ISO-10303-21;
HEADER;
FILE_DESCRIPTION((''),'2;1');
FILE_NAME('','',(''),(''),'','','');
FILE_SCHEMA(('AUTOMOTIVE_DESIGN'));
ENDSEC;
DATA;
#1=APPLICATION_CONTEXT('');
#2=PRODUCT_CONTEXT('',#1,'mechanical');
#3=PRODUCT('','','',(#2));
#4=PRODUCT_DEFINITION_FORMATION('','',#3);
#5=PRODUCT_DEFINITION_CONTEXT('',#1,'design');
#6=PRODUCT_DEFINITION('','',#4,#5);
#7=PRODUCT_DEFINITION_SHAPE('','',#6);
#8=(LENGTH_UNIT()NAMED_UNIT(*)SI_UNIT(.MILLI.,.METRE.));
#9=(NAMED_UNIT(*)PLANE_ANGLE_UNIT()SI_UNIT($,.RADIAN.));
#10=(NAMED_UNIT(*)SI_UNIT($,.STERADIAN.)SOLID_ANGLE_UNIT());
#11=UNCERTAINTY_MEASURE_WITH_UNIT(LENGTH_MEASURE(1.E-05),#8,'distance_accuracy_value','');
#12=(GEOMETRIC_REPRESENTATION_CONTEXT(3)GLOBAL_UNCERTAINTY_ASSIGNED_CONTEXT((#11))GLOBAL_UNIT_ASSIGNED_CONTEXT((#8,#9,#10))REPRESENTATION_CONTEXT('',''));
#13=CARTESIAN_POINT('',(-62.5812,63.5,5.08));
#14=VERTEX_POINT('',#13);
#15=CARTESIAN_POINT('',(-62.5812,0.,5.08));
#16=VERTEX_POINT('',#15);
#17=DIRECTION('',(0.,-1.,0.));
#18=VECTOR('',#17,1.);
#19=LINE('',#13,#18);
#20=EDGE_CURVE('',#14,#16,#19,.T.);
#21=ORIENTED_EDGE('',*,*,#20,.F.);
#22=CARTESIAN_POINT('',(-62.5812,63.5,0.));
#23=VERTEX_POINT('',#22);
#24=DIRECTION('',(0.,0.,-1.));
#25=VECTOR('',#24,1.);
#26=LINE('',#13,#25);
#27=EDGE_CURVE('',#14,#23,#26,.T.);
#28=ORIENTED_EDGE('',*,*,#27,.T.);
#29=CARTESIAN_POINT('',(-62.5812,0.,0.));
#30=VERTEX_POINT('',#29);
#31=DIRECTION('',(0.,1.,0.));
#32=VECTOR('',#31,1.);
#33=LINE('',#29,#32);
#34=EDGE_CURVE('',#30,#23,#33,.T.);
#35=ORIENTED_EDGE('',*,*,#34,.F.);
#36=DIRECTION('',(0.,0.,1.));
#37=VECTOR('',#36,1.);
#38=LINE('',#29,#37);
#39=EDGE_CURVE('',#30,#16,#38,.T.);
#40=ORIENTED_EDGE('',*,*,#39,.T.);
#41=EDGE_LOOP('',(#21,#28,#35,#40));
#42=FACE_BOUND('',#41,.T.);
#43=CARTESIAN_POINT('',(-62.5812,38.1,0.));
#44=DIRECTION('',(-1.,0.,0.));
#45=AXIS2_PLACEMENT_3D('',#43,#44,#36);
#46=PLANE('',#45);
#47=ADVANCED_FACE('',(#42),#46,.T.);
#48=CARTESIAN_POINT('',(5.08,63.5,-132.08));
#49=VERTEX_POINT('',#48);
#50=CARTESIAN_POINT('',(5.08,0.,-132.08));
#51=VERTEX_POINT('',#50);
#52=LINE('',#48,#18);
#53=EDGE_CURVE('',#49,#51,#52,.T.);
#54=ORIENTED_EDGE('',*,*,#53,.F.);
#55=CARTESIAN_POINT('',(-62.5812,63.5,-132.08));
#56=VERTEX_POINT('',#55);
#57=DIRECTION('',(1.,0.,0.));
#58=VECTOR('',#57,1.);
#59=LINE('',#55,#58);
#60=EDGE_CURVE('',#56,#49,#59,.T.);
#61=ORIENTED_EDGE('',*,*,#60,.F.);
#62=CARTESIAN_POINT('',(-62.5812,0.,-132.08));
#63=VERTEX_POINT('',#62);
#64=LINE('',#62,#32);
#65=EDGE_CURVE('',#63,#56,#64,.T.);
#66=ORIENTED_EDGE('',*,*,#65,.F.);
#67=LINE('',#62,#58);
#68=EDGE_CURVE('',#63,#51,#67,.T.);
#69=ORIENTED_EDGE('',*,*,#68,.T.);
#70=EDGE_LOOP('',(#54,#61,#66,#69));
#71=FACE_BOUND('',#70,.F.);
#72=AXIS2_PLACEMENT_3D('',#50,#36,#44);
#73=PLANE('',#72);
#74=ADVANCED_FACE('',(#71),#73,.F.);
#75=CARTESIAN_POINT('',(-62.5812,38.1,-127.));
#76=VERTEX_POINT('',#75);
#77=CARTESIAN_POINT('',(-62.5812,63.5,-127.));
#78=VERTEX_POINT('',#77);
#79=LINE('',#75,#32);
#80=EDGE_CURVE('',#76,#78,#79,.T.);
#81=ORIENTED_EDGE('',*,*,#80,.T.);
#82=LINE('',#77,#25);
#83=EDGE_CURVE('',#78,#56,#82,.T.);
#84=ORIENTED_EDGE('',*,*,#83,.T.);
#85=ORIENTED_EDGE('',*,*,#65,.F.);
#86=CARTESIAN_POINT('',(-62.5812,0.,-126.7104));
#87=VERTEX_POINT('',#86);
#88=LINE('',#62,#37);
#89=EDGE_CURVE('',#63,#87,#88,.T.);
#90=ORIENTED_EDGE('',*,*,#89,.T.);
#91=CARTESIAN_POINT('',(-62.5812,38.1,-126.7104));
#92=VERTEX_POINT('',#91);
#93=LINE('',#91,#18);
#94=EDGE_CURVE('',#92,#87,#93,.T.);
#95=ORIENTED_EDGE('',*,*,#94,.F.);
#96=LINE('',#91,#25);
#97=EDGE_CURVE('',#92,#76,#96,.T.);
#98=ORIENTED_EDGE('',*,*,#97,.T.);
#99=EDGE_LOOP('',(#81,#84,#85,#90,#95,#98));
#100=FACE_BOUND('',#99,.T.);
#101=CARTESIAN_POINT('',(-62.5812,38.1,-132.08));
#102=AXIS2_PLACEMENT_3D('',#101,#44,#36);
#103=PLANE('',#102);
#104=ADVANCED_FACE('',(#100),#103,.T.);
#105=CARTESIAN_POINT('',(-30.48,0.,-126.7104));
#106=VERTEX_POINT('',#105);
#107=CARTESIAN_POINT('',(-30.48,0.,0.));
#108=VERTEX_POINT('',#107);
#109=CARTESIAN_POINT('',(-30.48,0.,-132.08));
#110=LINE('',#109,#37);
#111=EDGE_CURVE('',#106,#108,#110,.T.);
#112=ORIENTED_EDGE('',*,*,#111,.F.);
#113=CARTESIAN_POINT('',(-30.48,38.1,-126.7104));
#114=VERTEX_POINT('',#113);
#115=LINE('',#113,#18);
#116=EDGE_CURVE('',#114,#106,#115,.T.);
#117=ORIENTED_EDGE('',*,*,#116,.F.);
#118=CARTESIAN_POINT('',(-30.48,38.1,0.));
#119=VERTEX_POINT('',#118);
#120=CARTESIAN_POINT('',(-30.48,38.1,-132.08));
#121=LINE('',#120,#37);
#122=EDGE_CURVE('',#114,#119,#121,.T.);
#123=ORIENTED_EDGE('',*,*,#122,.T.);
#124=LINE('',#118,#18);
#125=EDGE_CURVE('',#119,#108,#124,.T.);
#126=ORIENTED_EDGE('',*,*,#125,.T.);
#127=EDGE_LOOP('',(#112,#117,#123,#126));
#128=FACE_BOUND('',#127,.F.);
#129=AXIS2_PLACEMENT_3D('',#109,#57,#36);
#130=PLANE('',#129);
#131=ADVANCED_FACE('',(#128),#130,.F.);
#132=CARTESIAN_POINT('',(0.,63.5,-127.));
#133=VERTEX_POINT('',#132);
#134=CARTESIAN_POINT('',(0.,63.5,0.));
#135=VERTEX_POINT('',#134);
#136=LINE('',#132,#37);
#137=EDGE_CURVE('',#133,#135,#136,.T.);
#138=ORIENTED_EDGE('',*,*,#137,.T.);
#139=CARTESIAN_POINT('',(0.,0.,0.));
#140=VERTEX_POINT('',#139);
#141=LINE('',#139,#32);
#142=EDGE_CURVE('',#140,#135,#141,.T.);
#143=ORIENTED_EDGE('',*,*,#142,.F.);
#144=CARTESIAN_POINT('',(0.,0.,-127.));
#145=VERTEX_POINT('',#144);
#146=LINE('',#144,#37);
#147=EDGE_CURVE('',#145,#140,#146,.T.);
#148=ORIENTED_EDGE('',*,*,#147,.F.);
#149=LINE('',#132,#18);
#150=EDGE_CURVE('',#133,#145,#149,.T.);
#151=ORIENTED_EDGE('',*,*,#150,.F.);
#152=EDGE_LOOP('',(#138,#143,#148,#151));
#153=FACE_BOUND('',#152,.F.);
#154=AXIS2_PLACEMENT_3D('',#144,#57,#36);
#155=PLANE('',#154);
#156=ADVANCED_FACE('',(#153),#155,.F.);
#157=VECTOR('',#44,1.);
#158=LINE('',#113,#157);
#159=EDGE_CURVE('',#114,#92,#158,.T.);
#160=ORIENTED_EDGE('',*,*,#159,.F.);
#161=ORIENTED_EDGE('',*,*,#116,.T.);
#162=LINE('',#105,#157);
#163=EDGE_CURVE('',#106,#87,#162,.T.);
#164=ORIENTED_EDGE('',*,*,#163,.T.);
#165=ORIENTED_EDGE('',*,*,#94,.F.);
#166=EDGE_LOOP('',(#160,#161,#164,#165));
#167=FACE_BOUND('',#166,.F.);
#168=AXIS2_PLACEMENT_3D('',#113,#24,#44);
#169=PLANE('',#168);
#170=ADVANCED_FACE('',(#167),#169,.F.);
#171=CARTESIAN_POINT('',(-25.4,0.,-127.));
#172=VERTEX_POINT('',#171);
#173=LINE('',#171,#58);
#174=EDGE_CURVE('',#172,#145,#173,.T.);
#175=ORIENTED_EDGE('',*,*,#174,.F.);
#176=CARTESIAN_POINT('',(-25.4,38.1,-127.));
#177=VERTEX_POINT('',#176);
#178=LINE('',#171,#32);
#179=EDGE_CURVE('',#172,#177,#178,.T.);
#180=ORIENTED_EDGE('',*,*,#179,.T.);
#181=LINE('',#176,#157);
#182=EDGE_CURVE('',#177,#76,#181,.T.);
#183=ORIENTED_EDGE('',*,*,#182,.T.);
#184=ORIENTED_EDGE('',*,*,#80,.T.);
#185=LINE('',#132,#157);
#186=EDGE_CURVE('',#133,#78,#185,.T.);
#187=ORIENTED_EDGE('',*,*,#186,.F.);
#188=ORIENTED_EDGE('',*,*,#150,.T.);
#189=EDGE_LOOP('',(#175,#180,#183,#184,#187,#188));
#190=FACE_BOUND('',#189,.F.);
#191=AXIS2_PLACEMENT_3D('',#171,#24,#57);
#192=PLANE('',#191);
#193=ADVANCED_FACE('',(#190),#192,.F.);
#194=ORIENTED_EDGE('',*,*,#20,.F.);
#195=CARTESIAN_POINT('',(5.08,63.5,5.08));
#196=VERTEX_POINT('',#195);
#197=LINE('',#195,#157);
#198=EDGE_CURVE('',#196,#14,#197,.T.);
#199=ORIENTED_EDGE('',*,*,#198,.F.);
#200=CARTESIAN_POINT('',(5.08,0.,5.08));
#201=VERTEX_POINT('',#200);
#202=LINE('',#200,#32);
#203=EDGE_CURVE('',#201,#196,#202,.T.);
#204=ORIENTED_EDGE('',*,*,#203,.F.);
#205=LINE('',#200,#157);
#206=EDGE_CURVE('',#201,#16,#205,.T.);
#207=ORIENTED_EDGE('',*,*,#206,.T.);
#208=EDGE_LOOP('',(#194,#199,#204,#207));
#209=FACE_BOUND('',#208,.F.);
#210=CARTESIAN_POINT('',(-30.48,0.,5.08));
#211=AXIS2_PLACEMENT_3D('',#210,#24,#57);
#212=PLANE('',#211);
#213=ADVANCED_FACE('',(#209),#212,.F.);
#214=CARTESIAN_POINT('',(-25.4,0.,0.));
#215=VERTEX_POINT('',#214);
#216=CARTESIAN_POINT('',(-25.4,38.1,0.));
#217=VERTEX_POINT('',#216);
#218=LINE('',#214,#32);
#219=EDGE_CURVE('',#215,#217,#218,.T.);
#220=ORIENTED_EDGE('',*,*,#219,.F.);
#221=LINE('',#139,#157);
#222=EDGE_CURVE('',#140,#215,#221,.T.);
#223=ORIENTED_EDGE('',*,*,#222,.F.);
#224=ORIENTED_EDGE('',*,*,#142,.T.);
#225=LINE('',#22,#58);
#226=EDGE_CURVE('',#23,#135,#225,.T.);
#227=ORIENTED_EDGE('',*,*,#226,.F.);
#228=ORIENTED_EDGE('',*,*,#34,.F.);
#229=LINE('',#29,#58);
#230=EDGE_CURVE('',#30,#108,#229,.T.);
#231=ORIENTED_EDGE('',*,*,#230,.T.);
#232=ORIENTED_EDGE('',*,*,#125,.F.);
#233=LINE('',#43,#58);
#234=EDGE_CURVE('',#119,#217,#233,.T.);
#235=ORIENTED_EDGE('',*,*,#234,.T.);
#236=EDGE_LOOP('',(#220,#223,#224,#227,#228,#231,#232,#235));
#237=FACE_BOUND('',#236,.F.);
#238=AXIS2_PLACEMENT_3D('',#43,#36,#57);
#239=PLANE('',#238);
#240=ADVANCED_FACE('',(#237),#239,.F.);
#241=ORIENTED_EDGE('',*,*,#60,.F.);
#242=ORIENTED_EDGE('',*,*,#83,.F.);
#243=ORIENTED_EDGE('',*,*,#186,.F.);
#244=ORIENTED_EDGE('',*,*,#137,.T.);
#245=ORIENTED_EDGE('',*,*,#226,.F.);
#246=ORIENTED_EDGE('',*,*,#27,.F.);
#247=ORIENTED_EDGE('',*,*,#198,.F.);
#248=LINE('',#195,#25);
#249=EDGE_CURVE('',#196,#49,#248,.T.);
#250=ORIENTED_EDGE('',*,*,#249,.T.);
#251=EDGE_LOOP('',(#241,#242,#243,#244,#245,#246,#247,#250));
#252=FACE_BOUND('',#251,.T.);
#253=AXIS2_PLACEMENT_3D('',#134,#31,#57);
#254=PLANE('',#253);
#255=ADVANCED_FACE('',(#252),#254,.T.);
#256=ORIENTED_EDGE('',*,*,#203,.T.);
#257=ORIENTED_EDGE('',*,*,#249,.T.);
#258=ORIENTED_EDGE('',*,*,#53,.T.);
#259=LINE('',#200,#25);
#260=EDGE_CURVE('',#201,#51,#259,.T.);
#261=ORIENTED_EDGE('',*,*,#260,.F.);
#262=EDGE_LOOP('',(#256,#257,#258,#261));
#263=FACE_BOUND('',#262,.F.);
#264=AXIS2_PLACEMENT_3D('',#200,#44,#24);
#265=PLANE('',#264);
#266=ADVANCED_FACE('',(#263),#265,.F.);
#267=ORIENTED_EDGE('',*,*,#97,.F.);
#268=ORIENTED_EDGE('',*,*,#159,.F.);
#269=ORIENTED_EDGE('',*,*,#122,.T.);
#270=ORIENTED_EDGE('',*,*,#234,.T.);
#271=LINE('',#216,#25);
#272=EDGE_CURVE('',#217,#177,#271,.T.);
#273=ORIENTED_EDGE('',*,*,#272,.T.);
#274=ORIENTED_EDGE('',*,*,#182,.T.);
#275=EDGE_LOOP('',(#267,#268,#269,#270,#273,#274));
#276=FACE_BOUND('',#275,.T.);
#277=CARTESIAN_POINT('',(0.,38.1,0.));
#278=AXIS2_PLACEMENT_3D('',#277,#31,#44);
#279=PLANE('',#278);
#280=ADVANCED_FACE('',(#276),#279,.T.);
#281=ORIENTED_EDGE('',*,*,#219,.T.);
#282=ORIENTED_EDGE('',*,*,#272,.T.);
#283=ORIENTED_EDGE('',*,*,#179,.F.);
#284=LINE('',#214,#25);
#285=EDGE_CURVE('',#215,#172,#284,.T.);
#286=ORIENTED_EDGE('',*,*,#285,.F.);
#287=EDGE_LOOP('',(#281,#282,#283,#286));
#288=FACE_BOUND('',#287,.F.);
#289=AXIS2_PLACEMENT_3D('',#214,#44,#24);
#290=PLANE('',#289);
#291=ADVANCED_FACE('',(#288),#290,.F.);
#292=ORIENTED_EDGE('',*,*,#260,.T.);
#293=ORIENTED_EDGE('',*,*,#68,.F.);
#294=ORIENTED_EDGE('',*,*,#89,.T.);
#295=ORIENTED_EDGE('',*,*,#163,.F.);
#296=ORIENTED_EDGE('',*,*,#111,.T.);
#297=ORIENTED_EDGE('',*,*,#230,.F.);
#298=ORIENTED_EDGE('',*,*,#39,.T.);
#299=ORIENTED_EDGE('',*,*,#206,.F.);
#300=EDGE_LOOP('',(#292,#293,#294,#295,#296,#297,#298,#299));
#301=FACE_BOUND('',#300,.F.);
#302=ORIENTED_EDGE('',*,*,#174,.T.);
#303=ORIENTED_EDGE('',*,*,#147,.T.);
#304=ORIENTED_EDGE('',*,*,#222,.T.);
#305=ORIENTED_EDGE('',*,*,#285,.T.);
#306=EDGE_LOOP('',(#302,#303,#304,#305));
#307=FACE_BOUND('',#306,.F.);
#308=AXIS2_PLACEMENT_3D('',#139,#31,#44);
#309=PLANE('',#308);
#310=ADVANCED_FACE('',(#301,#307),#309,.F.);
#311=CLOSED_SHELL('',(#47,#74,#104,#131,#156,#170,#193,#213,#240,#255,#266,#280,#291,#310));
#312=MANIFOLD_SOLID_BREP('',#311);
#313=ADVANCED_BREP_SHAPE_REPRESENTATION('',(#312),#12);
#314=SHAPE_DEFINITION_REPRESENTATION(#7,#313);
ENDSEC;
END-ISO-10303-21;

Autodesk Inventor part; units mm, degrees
ref_plane "YZ Plane" through (0, 0, 0) normal (1, 0, 0) x (0, 1, 0)
ref_plane "XZ Plane" through (0, 0, 0) normal (0, 1, 0) x (-1, 0, 0)
ref_plane "XY Plane" through (0, 0, 0) normal (0, 0, 1) x (1, 0, 0)
sketch "Sketch1" plane through (0, 0, 0) normal (0, 1, 0) x (-1, 0, 0)
  line L0 (0, 0) -> (25.4, 0)
  line L1 (25.4, 0) -> (25.4, -127)
  line L2 (25.4, -127) -> (0, -127)
  line L3 (0, -127) -> (0, 0)
  line L4 (30.48, 5.08) -> (-5.08, 5.08)
  line L5 (-5.08, 5.08) -> (-5.08, -132.08)
  line L6 (-5.08, -132.08) -> (30.48, -132.08)
  line L7 (30.48, -132.08) -> (30.48, 5.08)
  dimension "d0" = 25.4
  dimension "d1" = 127
  dimension "d2" = 5.08
  dimension "d3" = 5.08
  dimension "d4" = 5.08
  dimension "d5" = 5.08
extrude "Extrusion1" add sketch "Sketch1" along normal blind 38.1
sketch "Sketch2" plane through (0, 38.1, 0) normal (0, 1, 0) x (1, 0, 0)
  line L0 (-30.48, -5.08) -> (5.08, -5.08) projected
  line L1 (5.08, -5.08) -> (-62.5812, -5.08)
  line L2 (-62.5812, -5.08) -> (-62.5812, 0)
  line L3 (-62.5812, 0) -> (0, 0)
  line L4 (-25.4, 127) -> (0, 127) projected
  line L5 (0, 127) -> (-62.5812, 127)
  line L6 (5.08, -5.08) -> (5.08, 132.08) projected
  line L7 (5.08, -5.08) -> (-62.5812, -5.08)
  line L8 (-62.5812, 132.08) -> (5.08, 132.08)
  line L9 (5.08, 132.08) -> (5.08, -5.08)
  line L10 (-62.5812, 132.08) -> (-47.0844, 132.08)
  line L11 (-62.5812, 127) -> (-62.5812, 132.08)
  line L12 (0, 127) -> (0, 0) projected
  line L13 (0, 0) -> (0, 127)
  line L14 (0, 127) -> (-62.5812, 127)
  line L15 (-62.5812, 132.08) -> (3.2473, 132.08)
  line L16 (5.08, 132.08) -> (-30.48, 132.08) projected
extrude "Extrusion2" add sketch "Sketch2" along normal blind 25.4
sketch "Sketch5" plane through (0, 38.1, 0) normal (0, -1, 0) x (1, 0, 0)
  line L0 (-62.5812, -132.08) -> (-62.5812, -127) projected
  line L1 (-30.48, -132.08) -> (-30.48, 5.08) projected
  line L2 (-62.5812, -132.08) -> (-30.48, -132.08)
  line L3 (-30.48, -132.08) -> (-30.48, -126.7104)
  line L4 (-30.48, -126.7104) -> (-62.5812, -126.7104)
  line L5 (-62.5812, -126.7104) -> (-62.5812, -132.08)
  line L6 (-62.5812, 0) -> (-62.5812, 5.08) projected
  line L7 (-30.48, 5.08) -> (5.08, 5.08) projected
  line L8 (-62.5812, 0) -> (-30.48, 0)
  line L9 (-30.48, 0) -> (-30.48, 5.08)
  line L10 (-30.48, 5.08) -> (-62.5812, 5.08)
  line L11 (-62.5812, 5.08) -> (-62.5812, 0)
  point P0 (0, 0)
extrude "Extrusion3" add sketch "Sketch5" along normal blind 38.1
properties part number "Base2"
